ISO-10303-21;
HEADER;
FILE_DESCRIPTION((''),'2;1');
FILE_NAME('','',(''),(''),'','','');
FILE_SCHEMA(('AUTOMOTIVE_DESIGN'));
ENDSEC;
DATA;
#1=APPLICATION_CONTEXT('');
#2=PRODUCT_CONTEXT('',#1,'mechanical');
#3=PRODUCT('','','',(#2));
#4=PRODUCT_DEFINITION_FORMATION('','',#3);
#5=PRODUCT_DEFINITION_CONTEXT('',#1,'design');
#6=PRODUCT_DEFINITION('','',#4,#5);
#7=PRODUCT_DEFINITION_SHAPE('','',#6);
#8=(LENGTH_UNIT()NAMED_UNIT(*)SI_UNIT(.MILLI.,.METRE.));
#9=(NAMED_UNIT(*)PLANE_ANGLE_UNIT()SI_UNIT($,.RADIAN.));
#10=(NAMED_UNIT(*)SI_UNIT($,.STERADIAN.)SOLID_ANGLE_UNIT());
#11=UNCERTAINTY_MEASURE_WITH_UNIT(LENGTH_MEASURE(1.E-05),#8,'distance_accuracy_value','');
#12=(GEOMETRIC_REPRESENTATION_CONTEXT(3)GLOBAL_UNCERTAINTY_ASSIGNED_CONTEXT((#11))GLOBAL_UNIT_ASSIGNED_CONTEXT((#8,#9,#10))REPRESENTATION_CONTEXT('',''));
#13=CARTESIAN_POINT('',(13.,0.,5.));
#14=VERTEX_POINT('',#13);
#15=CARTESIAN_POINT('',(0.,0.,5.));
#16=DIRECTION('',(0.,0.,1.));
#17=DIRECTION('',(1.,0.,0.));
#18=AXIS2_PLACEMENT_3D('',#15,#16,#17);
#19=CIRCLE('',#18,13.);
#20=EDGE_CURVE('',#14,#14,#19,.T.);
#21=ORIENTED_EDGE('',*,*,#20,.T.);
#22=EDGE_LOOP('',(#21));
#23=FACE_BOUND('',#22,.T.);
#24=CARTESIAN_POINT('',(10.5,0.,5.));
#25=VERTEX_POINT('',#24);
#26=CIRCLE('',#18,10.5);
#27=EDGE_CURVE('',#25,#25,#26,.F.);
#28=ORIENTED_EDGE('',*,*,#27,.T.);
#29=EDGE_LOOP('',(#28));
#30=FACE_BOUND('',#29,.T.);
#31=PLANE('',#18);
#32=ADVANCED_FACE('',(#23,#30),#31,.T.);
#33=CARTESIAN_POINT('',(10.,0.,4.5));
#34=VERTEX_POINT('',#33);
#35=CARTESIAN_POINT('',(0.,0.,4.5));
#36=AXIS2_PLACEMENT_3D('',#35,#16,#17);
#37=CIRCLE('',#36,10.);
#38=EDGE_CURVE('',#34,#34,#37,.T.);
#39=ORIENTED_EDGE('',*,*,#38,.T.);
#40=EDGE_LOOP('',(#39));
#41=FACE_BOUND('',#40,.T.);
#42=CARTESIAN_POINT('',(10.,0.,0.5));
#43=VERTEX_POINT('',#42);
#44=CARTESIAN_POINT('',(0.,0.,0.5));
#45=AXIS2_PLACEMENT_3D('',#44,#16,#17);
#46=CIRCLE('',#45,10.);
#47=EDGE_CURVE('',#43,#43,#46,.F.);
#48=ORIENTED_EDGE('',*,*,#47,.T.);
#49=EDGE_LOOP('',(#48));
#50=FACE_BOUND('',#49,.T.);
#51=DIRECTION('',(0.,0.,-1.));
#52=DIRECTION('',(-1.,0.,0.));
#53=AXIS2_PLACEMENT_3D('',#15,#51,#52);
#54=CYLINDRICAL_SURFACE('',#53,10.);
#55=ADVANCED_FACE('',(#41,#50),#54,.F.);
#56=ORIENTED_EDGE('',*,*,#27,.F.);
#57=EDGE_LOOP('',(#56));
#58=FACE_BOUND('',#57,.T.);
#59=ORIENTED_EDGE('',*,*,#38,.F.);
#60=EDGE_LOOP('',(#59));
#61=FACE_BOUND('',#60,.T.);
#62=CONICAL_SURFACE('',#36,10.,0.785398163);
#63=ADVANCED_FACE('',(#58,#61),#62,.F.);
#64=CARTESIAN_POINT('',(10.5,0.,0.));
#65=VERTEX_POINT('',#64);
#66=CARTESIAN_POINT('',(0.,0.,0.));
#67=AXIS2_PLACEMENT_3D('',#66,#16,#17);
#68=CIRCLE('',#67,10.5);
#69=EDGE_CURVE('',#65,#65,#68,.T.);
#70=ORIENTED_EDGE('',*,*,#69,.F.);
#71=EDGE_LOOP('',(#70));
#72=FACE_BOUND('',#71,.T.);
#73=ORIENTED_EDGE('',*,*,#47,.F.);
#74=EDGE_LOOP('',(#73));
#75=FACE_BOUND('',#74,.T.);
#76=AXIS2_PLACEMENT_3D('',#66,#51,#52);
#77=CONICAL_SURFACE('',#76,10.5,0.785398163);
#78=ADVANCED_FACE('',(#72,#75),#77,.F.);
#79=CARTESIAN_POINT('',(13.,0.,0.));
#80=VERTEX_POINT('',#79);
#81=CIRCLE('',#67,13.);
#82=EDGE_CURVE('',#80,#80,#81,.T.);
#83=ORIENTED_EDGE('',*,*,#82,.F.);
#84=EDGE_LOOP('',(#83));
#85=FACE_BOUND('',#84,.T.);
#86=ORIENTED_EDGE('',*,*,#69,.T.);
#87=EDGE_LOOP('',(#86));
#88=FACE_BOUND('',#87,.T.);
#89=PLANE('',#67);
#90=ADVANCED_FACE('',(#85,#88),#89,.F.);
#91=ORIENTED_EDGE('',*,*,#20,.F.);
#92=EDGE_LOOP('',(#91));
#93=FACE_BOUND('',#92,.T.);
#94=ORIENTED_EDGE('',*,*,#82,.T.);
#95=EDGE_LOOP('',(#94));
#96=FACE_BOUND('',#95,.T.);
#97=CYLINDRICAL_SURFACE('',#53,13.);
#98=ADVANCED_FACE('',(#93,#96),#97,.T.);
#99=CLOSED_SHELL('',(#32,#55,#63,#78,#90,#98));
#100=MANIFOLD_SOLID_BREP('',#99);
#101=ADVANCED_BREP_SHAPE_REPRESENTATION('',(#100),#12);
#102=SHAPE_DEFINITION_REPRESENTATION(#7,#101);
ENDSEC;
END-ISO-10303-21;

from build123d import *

# Parameters (mm, degrees)
SKETCH_1_R      = 13
SKETCH_1_R_2    = 10
EXTRUDE_1_DEPTH = 5
CHAMFER_1_SIZE  = 0.5


with BuildPart() as part:
    # 草图1 → 凸台-拉伸1 (new body)
    with BuildSketch(Plane.XY):
        Circle(SKETCH_1_R)
        Circle(SKETCH_1_R_2, mode=Mode.SUBTRACT)
    extrude(amount=EXTRUDE_1_DEPTH)

    # 倒角1
    chamfer_1_edges = [part.edges().sort_by_distance(p)[0] for p in [
        (-10, 0, 0),
        (-10, 0, 5),
    ]]
    chamfer(chamfer_1_edges, length=CHAMFER_1_SIZE)


solid = part.part
